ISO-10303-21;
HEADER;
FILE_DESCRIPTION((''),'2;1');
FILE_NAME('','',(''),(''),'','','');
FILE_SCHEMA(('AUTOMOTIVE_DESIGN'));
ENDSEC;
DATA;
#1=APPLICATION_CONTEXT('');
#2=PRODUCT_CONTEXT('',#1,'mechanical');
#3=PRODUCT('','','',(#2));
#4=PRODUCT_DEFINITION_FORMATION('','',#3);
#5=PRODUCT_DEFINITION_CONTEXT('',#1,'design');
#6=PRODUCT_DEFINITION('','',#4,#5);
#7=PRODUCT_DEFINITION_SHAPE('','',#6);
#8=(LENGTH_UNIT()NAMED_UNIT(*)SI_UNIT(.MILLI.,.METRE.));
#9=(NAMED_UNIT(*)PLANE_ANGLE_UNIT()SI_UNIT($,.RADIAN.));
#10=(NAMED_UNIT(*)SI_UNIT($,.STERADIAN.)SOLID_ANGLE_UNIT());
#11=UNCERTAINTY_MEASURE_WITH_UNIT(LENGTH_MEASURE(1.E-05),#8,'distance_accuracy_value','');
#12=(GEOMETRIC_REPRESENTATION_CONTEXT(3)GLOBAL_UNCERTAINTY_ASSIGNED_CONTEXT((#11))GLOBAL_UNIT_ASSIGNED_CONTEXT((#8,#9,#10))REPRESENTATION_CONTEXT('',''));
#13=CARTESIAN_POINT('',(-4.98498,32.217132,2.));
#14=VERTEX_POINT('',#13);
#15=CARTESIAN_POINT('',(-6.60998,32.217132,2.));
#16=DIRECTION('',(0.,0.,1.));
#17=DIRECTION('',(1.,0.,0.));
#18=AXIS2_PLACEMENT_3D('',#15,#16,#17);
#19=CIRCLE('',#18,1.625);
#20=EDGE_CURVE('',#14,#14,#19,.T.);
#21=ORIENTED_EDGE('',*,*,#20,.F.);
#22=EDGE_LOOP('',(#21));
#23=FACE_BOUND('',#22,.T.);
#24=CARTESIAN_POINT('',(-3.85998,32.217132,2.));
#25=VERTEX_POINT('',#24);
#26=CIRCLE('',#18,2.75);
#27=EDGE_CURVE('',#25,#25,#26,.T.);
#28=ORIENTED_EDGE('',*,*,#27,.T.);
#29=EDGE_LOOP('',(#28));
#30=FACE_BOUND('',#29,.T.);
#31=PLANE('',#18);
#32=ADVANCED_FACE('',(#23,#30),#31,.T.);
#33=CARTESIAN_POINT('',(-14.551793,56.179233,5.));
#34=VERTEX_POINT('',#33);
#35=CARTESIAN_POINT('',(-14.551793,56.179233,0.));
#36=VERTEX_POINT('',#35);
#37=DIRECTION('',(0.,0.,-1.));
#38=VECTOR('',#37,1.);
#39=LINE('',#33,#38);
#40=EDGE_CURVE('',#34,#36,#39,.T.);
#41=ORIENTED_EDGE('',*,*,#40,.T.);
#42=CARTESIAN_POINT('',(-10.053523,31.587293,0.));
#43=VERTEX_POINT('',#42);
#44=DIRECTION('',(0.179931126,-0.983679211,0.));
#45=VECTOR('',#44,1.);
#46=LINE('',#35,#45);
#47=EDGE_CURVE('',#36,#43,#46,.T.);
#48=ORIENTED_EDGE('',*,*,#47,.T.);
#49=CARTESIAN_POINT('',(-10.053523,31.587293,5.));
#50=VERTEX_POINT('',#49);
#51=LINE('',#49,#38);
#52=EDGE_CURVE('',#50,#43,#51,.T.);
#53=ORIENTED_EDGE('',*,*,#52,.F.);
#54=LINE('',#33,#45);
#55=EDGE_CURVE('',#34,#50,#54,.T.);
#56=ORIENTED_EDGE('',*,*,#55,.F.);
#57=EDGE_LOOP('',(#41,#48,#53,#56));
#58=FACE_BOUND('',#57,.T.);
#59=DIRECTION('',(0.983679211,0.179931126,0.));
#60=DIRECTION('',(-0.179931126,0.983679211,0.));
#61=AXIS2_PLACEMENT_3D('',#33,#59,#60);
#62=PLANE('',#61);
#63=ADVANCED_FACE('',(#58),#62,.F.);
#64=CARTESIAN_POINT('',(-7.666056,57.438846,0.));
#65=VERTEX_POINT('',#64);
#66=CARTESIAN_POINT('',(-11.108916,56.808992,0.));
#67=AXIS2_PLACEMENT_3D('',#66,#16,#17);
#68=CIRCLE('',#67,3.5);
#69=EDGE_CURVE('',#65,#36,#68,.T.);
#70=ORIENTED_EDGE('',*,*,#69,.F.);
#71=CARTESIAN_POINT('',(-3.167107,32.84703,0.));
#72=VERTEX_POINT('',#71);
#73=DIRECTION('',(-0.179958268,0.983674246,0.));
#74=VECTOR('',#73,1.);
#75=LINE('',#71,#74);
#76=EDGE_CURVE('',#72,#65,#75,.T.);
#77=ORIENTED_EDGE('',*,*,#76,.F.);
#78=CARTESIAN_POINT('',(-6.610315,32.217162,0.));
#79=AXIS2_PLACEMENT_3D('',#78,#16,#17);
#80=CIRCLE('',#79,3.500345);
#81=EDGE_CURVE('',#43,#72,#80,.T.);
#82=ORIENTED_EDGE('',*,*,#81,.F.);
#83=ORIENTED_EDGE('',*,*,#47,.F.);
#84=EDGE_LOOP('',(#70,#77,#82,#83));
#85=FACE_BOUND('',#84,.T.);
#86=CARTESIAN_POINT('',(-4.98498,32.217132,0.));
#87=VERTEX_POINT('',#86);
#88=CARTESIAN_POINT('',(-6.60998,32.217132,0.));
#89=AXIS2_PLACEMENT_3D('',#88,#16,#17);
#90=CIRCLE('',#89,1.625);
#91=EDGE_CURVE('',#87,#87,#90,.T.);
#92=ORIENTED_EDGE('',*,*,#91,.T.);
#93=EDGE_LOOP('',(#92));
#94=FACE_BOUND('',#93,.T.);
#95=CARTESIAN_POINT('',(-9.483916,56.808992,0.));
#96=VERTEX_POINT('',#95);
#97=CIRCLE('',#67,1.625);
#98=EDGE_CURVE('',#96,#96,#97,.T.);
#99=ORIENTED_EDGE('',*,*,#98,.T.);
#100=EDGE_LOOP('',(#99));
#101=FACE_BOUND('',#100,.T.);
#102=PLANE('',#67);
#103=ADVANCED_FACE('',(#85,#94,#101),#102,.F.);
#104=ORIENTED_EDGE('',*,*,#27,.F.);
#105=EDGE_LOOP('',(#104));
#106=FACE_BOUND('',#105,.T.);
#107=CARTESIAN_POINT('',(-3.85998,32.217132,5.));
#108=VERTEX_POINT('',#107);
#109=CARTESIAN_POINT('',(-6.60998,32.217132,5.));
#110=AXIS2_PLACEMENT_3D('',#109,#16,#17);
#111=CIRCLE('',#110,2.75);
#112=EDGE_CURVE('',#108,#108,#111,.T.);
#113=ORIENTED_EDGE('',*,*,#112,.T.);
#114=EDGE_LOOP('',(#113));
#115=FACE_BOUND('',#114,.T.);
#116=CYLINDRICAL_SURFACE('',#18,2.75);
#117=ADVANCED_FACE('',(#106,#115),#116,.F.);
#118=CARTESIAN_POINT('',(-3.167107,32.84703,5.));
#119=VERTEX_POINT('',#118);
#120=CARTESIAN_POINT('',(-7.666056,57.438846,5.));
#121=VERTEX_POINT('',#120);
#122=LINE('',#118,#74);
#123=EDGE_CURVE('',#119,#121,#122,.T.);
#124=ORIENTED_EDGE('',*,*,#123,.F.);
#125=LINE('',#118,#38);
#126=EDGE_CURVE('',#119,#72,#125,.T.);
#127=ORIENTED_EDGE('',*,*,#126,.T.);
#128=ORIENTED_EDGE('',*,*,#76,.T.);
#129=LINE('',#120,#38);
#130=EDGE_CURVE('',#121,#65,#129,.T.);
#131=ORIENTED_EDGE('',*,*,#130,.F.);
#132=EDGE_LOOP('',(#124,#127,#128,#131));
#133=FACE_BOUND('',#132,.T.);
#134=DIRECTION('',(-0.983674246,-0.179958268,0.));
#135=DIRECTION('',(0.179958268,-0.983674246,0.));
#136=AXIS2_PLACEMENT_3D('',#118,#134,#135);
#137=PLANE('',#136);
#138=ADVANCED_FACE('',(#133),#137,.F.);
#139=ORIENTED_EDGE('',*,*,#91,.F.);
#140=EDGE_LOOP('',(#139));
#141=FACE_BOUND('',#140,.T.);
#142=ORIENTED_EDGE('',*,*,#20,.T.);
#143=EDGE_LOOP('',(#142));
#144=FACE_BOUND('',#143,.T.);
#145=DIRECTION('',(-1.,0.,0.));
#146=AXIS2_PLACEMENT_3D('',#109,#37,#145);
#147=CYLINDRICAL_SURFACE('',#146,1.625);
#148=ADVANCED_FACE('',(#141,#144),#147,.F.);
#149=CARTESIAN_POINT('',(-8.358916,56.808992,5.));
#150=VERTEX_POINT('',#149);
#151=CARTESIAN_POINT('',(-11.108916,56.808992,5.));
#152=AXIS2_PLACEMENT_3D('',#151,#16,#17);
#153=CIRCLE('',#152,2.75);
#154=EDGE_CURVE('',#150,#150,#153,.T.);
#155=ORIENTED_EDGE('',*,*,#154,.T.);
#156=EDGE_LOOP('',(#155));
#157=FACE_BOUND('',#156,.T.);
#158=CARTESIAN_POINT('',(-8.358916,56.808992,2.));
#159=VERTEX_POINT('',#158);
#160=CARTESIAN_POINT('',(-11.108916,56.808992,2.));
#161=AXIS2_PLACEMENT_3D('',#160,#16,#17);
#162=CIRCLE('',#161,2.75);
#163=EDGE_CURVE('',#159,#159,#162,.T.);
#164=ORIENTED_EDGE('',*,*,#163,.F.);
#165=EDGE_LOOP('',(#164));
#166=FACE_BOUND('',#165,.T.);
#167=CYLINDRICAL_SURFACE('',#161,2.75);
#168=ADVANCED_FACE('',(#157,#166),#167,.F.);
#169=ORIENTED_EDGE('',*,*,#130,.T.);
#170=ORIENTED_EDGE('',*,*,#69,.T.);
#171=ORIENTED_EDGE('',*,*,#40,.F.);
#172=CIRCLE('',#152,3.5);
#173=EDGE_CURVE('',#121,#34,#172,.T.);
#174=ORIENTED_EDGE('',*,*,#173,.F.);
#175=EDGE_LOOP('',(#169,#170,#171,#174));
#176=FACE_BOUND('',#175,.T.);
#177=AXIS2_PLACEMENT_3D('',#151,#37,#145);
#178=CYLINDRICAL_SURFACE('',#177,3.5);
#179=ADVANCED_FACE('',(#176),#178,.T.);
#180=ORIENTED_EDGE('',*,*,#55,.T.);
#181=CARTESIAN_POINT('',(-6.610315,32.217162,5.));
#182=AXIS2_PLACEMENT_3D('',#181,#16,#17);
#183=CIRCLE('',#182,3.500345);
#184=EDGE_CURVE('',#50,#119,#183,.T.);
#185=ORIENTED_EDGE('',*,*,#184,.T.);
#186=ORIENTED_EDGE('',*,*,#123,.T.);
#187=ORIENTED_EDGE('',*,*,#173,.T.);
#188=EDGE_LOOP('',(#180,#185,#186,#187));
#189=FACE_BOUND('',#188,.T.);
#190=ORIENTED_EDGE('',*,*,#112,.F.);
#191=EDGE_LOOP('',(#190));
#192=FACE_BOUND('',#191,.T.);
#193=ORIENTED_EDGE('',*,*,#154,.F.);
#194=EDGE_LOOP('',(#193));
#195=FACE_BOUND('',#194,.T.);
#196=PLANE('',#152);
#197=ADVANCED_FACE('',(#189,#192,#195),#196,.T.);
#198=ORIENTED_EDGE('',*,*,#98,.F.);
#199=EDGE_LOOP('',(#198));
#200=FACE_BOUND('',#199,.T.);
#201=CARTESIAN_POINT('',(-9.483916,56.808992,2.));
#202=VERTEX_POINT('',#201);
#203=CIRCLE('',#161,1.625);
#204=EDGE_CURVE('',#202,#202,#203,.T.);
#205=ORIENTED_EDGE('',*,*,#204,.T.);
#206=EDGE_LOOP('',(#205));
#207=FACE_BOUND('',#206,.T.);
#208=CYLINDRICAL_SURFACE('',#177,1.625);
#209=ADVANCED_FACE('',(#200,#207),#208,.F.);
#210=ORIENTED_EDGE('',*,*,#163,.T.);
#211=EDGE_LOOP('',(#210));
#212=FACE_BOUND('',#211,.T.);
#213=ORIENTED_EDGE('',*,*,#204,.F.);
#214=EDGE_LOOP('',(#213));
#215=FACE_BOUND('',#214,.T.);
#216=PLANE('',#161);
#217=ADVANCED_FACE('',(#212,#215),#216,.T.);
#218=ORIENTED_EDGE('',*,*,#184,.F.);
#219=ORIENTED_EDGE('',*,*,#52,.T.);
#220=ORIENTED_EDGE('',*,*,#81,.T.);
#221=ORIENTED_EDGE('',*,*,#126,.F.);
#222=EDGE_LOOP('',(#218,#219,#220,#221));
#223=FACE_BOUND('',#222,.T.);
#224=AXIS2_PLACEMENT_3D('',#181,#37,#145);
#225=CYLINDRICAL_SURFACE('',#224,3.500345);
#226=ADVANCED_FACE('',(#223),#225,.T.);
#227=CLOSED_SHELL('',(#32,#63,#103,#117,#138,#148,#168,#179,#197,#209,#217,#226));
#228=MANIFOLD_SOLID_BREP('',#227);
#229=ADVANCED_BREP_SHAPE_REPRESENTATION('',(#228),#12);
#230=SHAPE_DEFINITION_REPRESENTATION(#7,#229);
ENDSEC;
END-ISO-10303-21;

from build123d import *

# Parameters (mm, degrees)
SKETCH1_R           = 1.625
BOSS_EXTRUDE1_DEPTH = 5
SKETCH2_R           = 2.75
CUT_EXTRUDE1_DEPTH  = 3


with BuildPart() as part:
    # Sketch1 → Boss-Extrude1 (new body)
    with BuildSketch(Plane.XY):
        with BuildLine():
            Line((-14.551793335, 56.179232805), (-10.053522645, 31.587293274))
            ThreePointArc((-10.053522645, 31.587293274), (-5.980446308, 28.773953947), (-3.16710698, 32.847030284))
            Line((-3.16710698, 32.847030284), (-7.666056236, 57.438845684))
            ThreePointArc((-7.666056236, 57.438845684), (-11.738722536, 60.251860294), (-14.551793335, 56.179232805))
        make_face()
        with Locations((-6.609980089, 32.217131815)):
            Circle(SKETCH1_R, mode=Mode.SUBTRACT)
        with Locations((-11.108916097, 56.808991745)):
            Circle(SKETCH1_R, mode=Mode.SUBTRACT)
    extrude(amount=BOSS_EXTRUDE1_DEPTH)

    # Sketch2 → Cut-Extrude1 (cut)
    with BuildSketch(Plane.XY.offset(5)):
        with Locations((-11.108916097, 56.808991745)):
            Circle(SKETCH2_R)
        with Locations((-6.609980089, 32.217131815)):
            Circle(SKETCH2_R)
    extrude(amount=-CUT_EXTRUDE1_DEPTH, mode=Mode.SUBTRACT)


solid = part.part
